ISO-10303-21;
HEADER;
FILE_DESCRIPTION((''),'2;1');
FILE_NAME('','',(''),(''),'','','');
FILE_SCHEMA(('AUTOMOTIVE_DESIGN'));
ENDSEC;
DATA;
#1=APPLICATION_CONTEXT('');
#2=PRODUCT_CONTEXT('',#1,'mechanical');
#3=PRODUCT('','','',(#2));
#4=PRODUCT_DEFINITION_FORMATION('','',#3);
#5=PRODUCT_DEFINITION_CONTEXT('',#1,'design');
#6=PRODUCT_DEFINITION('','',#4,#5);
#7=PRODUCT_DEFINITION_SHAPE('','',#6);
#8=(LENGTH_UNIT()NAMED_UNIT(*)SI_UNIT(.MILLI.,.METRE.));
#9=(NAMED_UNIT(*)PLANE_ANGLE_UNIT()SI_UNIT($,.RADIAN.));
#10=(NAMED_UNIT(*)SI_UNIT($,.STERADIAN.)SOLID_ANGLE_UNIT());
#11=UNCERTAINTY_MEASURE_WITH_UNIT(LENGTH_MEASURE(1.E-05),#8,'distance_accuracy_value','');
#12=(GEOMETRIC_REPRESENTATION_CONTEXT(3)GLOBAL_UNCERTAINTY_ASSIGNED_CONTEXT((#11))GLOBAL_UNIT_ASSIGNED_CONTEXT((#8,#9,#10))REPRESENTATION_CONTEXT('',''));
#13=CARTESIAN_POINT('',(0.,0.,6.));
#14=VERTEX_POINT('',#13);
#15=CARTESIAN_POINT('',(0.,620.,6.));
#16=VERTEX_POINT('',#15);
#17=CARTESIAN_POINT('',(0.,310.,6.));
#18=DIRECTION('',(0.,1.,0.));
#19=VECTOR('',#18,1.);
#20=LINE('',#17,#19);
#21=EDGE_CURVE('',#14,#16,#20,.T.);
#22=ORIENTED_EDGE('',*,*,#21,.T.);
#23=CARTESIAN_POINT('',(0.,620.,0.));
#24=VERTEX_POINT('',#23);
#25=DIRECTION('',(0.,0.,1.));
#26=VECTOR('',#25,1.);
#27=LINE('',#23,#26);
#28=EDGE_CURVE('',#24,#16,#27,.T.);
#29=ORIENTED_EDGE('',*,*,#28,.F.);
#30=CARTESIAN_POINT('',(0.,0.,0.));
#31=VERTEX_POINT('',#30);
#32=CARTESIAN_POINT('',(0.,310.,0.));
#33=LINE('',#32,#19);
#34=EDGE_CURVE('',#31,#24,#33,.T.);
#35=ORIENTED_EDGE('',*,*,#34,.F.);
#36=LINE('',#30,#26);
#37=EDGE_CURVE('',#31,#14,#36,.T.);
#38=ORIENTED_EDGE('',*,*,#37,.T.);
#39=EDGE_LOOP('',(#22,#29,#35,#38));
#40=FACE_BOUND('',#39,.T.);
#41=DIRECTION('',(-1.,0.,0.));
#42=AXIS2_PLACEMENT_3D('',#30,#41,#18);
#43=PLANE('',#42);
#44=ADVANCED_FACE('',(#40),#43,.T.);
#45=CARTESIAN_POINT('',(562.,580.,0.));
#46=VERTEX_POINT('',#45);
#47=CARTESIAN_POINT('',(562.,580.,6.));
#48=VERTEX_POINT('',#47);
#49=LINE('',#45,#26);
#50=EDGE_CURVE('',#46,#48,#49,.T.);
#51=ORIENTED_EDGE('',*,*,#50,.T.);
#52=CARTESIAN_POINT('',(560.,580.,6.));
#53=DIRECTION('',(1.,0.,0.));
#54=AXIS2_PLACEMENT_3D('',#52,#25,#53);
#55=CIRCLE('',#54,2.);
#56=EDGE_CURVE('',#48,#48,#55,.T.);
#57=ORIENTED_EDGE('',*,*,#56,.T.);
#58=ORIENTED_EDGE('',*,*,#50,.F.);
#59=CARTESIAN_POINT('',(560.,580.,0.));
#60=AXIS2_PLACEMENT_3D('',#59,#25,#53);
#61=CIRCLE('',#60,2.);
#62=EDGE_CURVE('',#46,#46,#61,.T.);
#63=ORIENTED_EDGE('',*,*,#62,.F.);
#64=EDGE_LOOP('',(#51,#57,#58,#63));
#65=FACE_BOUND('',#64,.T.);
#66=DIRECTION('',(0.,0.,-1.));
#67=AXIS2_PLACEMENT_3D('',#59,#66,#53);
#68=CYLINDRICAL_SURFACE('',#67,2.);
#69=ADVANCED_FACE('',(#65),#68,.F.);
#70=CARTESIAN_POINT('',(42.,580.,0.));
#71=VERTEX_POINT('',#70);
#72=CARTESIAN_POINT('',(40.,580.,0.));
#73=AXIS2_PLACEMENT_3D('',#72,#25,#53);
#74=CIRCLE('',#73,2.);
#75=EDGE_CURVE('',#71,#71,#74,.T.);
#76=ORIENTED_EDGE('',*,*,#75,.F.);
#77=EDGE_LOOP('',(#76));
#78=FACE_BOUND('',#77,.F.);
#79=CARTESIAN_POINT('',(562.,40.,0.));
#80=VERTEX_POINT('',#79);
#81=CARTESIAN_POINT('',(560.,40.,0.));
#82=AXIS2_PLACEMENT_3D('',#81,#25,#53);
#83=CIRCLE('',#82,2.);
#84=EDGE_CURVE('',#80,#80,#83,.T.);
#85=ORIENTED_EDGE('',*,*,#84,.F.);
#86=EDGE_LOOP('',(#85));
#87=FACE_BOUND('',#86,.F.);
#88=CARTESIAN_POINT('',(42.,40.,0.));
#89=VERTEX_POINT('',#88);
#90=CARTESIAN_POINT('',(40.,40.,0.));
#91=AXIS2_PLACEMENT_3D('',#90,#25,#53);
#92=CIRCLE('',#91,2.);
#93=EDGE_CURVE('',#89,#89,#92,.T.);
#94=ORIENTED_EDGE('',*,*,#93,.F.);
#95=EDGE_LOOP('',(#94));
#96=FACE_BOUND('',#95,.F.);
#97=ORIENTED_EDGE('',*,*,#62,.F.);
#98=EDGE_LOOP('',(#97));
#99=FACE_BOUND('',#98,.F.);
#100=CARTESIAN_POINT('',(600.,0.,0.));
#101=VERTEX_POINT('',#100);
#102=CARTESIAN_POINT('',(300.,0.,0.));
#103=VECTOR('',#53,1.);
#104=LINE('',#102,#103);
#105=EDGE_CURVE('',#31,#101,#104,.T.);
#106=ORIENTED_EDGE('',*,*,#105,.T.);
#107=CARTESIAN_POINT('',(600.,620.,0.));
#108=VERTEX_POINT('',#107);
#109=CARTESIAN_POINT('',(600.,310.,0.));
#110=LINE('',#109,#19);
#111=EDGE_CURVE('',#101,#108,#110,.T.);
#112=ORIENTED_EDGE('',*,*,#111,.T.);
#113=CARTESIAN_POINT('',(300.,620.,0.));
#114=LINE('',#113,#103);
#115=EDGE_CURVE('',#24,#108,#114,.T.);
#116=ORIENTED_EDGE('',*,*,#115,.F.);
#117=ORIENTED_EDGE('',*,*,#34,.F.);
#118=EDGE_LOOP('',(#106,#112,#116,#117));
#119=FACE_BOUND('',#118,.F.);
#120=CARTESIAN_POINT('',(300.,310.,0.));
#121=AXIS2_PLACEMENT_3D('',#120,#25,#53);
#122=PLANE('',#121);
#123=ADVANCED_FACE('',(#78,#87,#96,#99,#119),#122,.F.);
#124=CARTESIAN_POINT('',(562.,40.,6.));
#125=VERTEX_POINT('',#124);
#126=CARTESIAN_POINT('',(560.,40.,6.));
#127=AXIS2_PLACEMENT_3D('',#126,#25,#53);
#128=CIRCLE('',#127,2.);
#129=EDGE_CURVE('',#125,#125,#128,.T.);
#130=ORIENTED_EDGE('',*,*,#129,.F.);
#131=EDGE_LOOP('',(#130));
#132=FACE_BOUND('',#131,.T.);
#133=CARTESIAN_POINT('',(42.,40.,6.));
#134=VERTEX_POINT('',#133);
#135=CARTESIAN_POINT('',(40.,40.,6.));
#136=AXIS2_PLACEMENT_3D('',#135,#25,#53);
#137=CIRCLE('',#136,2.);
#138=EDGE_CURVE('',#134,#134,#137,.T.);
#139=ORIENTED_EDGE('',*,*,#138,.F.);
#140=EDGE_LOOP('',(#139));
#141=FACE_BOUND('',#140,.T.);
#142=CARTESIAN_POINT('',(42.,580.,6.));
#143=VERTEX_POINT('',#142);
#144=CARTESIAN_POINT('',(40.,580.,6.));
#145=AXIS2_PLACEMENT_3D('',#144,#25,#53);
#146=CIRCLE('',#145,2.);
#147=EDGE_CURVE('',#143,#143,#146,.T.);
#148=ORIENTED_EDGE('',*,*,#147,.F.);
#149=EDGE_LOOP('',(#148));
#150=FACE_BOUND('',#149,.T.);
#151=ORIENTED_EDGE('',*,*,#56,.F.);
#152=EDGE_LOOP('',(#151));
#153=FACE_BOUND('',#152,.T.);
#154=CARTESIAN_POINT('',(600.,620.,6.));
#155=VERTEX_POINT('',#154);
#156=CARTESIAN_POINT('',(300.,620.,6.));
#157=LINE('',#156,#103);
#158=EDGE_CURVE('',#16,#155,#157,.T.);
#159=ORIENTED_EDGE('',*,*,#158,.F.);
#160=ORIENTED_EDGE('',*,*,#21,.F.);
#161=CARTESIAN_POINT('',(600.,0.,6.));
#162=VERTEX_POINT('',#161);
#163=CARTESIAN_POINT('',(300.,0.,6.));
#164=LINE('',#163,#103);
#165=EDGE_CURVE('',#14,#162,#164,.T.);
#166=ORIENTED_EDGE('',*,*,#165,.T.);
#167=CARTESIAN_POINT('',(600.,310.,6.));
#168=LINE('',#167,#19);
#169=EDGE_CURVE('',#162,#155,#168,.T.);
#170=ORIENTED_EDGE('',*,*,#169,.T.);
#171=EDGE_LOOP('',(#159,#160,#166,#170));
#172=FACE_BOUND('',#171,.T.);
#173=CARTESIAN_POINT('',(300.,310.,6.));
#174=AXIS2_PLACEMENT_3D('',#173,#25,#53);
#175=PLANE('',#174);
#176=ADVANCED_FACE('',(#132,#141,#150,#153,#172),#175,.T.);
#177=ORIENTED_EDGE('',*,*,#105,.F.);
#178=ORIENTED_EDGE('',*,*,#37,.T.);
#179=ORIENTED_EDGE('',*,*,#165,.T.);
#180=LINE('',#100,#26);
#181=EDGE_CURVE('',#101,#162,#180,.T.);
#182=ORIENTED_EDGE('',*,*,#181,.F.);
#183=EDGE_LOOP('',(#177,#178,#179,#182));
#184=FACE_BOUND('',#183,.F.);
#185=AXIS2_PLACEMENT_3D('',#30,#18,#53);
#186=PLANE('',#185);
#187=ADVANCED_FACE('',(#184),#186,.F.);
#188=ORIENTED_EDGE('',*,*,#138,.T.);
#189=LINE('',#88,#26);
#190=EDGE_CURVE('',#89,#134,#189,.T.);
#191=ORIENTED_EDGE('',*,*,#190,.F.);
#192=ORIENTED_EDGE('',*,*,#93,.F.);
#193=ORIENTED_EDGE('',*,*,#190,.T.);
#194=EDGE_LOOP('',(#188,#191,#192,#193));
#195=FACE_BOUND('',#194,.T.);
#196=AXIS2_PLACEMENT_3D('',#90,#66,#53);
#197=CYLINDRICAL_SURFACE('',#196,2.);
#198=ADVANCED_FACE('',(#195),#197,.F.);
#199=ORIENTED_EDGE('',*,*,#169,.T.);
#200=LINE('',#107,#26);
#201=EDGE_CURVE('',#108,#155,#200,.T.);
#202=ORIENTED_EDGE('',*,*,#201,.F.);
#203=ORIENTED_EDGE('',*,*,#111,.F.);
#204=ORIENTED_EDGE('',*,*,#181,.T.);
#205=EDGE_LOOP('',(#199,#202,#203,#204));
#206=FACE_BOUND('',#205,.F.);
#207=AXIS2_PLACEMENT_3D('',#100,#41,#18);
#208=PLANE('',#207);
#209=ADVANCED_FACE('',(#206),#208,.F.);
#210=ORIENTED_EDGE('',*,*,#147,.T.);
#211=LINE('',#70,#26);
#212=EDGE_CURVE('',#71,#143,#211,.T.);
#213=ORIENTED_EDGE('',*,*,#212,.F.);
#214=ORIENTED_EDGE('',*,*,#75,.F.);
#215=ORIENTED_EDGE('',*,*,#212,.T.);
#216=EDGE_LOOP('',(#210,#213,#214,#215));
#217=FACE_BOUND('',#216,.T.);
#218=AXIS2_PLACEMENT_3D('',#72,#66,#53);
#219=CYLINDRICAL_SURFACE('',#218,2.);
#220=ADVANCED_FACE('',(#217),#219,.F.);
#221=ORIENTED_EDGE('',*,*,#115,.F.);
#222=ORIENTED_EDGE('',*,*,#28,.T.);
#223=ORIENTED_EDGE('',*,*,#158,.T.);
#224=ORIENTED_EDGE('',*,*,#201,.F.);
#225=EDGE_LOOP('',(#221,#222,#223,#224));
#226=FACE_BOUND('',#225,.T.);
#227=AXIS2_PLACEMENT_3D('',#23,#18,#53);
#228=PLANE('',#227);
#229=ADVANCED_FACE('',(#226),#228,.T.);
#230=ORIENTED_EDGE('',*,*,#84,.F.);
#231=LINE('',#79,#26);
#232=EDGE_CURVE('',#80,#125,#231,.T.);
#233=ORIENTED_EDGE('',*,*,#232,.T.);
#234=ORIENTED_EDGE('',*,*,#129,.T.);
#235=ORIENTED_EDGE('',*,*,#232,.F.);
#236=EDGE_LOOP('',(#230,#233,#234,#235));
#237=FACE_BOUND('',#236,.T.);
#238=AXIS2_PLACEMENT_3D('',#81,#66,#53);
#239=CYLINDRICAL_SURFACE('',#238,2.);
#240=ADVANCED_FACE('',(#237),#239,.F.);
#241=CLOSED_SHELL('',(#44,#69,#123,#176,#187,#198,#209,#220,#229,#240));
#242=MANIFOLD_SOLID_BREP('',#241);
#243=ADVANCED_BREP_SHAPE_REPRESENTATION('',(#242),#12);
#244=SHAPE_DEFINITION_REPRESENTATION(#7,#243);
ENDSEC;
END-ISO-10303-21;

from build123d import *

# Parameters (mm, degrees)
SKETCH_W  = 600
SKETCH_H  = 620
SKETCH_R  = 2
PAD_DEPTH = 6


with BuildPart() as part:
    # Sketch → Pad (new body)
    with BuildSketch(Plane.XY):
        with Locations((300, 310)):
            Rectangle(SKETCH_W, SKETCH_H)
        with Locations((40, 580)):
            Circle(SKETCH_R, mode=Mode.SUBTRACT)
        with Locations((560, 580)):
            Circle(SKETCH_R, mode=Mode.SUBTRACT)
        with Locations((560, 40)):
            Circle(SKETCH_R, mode=Mode.SUBTRACT)
        with Locations((40, 40)):
            Circle(SKETCH_R, mode=Mode.SUBTRACT)
    extrude(amount=PAD_DEPTH)


solid = part.part
